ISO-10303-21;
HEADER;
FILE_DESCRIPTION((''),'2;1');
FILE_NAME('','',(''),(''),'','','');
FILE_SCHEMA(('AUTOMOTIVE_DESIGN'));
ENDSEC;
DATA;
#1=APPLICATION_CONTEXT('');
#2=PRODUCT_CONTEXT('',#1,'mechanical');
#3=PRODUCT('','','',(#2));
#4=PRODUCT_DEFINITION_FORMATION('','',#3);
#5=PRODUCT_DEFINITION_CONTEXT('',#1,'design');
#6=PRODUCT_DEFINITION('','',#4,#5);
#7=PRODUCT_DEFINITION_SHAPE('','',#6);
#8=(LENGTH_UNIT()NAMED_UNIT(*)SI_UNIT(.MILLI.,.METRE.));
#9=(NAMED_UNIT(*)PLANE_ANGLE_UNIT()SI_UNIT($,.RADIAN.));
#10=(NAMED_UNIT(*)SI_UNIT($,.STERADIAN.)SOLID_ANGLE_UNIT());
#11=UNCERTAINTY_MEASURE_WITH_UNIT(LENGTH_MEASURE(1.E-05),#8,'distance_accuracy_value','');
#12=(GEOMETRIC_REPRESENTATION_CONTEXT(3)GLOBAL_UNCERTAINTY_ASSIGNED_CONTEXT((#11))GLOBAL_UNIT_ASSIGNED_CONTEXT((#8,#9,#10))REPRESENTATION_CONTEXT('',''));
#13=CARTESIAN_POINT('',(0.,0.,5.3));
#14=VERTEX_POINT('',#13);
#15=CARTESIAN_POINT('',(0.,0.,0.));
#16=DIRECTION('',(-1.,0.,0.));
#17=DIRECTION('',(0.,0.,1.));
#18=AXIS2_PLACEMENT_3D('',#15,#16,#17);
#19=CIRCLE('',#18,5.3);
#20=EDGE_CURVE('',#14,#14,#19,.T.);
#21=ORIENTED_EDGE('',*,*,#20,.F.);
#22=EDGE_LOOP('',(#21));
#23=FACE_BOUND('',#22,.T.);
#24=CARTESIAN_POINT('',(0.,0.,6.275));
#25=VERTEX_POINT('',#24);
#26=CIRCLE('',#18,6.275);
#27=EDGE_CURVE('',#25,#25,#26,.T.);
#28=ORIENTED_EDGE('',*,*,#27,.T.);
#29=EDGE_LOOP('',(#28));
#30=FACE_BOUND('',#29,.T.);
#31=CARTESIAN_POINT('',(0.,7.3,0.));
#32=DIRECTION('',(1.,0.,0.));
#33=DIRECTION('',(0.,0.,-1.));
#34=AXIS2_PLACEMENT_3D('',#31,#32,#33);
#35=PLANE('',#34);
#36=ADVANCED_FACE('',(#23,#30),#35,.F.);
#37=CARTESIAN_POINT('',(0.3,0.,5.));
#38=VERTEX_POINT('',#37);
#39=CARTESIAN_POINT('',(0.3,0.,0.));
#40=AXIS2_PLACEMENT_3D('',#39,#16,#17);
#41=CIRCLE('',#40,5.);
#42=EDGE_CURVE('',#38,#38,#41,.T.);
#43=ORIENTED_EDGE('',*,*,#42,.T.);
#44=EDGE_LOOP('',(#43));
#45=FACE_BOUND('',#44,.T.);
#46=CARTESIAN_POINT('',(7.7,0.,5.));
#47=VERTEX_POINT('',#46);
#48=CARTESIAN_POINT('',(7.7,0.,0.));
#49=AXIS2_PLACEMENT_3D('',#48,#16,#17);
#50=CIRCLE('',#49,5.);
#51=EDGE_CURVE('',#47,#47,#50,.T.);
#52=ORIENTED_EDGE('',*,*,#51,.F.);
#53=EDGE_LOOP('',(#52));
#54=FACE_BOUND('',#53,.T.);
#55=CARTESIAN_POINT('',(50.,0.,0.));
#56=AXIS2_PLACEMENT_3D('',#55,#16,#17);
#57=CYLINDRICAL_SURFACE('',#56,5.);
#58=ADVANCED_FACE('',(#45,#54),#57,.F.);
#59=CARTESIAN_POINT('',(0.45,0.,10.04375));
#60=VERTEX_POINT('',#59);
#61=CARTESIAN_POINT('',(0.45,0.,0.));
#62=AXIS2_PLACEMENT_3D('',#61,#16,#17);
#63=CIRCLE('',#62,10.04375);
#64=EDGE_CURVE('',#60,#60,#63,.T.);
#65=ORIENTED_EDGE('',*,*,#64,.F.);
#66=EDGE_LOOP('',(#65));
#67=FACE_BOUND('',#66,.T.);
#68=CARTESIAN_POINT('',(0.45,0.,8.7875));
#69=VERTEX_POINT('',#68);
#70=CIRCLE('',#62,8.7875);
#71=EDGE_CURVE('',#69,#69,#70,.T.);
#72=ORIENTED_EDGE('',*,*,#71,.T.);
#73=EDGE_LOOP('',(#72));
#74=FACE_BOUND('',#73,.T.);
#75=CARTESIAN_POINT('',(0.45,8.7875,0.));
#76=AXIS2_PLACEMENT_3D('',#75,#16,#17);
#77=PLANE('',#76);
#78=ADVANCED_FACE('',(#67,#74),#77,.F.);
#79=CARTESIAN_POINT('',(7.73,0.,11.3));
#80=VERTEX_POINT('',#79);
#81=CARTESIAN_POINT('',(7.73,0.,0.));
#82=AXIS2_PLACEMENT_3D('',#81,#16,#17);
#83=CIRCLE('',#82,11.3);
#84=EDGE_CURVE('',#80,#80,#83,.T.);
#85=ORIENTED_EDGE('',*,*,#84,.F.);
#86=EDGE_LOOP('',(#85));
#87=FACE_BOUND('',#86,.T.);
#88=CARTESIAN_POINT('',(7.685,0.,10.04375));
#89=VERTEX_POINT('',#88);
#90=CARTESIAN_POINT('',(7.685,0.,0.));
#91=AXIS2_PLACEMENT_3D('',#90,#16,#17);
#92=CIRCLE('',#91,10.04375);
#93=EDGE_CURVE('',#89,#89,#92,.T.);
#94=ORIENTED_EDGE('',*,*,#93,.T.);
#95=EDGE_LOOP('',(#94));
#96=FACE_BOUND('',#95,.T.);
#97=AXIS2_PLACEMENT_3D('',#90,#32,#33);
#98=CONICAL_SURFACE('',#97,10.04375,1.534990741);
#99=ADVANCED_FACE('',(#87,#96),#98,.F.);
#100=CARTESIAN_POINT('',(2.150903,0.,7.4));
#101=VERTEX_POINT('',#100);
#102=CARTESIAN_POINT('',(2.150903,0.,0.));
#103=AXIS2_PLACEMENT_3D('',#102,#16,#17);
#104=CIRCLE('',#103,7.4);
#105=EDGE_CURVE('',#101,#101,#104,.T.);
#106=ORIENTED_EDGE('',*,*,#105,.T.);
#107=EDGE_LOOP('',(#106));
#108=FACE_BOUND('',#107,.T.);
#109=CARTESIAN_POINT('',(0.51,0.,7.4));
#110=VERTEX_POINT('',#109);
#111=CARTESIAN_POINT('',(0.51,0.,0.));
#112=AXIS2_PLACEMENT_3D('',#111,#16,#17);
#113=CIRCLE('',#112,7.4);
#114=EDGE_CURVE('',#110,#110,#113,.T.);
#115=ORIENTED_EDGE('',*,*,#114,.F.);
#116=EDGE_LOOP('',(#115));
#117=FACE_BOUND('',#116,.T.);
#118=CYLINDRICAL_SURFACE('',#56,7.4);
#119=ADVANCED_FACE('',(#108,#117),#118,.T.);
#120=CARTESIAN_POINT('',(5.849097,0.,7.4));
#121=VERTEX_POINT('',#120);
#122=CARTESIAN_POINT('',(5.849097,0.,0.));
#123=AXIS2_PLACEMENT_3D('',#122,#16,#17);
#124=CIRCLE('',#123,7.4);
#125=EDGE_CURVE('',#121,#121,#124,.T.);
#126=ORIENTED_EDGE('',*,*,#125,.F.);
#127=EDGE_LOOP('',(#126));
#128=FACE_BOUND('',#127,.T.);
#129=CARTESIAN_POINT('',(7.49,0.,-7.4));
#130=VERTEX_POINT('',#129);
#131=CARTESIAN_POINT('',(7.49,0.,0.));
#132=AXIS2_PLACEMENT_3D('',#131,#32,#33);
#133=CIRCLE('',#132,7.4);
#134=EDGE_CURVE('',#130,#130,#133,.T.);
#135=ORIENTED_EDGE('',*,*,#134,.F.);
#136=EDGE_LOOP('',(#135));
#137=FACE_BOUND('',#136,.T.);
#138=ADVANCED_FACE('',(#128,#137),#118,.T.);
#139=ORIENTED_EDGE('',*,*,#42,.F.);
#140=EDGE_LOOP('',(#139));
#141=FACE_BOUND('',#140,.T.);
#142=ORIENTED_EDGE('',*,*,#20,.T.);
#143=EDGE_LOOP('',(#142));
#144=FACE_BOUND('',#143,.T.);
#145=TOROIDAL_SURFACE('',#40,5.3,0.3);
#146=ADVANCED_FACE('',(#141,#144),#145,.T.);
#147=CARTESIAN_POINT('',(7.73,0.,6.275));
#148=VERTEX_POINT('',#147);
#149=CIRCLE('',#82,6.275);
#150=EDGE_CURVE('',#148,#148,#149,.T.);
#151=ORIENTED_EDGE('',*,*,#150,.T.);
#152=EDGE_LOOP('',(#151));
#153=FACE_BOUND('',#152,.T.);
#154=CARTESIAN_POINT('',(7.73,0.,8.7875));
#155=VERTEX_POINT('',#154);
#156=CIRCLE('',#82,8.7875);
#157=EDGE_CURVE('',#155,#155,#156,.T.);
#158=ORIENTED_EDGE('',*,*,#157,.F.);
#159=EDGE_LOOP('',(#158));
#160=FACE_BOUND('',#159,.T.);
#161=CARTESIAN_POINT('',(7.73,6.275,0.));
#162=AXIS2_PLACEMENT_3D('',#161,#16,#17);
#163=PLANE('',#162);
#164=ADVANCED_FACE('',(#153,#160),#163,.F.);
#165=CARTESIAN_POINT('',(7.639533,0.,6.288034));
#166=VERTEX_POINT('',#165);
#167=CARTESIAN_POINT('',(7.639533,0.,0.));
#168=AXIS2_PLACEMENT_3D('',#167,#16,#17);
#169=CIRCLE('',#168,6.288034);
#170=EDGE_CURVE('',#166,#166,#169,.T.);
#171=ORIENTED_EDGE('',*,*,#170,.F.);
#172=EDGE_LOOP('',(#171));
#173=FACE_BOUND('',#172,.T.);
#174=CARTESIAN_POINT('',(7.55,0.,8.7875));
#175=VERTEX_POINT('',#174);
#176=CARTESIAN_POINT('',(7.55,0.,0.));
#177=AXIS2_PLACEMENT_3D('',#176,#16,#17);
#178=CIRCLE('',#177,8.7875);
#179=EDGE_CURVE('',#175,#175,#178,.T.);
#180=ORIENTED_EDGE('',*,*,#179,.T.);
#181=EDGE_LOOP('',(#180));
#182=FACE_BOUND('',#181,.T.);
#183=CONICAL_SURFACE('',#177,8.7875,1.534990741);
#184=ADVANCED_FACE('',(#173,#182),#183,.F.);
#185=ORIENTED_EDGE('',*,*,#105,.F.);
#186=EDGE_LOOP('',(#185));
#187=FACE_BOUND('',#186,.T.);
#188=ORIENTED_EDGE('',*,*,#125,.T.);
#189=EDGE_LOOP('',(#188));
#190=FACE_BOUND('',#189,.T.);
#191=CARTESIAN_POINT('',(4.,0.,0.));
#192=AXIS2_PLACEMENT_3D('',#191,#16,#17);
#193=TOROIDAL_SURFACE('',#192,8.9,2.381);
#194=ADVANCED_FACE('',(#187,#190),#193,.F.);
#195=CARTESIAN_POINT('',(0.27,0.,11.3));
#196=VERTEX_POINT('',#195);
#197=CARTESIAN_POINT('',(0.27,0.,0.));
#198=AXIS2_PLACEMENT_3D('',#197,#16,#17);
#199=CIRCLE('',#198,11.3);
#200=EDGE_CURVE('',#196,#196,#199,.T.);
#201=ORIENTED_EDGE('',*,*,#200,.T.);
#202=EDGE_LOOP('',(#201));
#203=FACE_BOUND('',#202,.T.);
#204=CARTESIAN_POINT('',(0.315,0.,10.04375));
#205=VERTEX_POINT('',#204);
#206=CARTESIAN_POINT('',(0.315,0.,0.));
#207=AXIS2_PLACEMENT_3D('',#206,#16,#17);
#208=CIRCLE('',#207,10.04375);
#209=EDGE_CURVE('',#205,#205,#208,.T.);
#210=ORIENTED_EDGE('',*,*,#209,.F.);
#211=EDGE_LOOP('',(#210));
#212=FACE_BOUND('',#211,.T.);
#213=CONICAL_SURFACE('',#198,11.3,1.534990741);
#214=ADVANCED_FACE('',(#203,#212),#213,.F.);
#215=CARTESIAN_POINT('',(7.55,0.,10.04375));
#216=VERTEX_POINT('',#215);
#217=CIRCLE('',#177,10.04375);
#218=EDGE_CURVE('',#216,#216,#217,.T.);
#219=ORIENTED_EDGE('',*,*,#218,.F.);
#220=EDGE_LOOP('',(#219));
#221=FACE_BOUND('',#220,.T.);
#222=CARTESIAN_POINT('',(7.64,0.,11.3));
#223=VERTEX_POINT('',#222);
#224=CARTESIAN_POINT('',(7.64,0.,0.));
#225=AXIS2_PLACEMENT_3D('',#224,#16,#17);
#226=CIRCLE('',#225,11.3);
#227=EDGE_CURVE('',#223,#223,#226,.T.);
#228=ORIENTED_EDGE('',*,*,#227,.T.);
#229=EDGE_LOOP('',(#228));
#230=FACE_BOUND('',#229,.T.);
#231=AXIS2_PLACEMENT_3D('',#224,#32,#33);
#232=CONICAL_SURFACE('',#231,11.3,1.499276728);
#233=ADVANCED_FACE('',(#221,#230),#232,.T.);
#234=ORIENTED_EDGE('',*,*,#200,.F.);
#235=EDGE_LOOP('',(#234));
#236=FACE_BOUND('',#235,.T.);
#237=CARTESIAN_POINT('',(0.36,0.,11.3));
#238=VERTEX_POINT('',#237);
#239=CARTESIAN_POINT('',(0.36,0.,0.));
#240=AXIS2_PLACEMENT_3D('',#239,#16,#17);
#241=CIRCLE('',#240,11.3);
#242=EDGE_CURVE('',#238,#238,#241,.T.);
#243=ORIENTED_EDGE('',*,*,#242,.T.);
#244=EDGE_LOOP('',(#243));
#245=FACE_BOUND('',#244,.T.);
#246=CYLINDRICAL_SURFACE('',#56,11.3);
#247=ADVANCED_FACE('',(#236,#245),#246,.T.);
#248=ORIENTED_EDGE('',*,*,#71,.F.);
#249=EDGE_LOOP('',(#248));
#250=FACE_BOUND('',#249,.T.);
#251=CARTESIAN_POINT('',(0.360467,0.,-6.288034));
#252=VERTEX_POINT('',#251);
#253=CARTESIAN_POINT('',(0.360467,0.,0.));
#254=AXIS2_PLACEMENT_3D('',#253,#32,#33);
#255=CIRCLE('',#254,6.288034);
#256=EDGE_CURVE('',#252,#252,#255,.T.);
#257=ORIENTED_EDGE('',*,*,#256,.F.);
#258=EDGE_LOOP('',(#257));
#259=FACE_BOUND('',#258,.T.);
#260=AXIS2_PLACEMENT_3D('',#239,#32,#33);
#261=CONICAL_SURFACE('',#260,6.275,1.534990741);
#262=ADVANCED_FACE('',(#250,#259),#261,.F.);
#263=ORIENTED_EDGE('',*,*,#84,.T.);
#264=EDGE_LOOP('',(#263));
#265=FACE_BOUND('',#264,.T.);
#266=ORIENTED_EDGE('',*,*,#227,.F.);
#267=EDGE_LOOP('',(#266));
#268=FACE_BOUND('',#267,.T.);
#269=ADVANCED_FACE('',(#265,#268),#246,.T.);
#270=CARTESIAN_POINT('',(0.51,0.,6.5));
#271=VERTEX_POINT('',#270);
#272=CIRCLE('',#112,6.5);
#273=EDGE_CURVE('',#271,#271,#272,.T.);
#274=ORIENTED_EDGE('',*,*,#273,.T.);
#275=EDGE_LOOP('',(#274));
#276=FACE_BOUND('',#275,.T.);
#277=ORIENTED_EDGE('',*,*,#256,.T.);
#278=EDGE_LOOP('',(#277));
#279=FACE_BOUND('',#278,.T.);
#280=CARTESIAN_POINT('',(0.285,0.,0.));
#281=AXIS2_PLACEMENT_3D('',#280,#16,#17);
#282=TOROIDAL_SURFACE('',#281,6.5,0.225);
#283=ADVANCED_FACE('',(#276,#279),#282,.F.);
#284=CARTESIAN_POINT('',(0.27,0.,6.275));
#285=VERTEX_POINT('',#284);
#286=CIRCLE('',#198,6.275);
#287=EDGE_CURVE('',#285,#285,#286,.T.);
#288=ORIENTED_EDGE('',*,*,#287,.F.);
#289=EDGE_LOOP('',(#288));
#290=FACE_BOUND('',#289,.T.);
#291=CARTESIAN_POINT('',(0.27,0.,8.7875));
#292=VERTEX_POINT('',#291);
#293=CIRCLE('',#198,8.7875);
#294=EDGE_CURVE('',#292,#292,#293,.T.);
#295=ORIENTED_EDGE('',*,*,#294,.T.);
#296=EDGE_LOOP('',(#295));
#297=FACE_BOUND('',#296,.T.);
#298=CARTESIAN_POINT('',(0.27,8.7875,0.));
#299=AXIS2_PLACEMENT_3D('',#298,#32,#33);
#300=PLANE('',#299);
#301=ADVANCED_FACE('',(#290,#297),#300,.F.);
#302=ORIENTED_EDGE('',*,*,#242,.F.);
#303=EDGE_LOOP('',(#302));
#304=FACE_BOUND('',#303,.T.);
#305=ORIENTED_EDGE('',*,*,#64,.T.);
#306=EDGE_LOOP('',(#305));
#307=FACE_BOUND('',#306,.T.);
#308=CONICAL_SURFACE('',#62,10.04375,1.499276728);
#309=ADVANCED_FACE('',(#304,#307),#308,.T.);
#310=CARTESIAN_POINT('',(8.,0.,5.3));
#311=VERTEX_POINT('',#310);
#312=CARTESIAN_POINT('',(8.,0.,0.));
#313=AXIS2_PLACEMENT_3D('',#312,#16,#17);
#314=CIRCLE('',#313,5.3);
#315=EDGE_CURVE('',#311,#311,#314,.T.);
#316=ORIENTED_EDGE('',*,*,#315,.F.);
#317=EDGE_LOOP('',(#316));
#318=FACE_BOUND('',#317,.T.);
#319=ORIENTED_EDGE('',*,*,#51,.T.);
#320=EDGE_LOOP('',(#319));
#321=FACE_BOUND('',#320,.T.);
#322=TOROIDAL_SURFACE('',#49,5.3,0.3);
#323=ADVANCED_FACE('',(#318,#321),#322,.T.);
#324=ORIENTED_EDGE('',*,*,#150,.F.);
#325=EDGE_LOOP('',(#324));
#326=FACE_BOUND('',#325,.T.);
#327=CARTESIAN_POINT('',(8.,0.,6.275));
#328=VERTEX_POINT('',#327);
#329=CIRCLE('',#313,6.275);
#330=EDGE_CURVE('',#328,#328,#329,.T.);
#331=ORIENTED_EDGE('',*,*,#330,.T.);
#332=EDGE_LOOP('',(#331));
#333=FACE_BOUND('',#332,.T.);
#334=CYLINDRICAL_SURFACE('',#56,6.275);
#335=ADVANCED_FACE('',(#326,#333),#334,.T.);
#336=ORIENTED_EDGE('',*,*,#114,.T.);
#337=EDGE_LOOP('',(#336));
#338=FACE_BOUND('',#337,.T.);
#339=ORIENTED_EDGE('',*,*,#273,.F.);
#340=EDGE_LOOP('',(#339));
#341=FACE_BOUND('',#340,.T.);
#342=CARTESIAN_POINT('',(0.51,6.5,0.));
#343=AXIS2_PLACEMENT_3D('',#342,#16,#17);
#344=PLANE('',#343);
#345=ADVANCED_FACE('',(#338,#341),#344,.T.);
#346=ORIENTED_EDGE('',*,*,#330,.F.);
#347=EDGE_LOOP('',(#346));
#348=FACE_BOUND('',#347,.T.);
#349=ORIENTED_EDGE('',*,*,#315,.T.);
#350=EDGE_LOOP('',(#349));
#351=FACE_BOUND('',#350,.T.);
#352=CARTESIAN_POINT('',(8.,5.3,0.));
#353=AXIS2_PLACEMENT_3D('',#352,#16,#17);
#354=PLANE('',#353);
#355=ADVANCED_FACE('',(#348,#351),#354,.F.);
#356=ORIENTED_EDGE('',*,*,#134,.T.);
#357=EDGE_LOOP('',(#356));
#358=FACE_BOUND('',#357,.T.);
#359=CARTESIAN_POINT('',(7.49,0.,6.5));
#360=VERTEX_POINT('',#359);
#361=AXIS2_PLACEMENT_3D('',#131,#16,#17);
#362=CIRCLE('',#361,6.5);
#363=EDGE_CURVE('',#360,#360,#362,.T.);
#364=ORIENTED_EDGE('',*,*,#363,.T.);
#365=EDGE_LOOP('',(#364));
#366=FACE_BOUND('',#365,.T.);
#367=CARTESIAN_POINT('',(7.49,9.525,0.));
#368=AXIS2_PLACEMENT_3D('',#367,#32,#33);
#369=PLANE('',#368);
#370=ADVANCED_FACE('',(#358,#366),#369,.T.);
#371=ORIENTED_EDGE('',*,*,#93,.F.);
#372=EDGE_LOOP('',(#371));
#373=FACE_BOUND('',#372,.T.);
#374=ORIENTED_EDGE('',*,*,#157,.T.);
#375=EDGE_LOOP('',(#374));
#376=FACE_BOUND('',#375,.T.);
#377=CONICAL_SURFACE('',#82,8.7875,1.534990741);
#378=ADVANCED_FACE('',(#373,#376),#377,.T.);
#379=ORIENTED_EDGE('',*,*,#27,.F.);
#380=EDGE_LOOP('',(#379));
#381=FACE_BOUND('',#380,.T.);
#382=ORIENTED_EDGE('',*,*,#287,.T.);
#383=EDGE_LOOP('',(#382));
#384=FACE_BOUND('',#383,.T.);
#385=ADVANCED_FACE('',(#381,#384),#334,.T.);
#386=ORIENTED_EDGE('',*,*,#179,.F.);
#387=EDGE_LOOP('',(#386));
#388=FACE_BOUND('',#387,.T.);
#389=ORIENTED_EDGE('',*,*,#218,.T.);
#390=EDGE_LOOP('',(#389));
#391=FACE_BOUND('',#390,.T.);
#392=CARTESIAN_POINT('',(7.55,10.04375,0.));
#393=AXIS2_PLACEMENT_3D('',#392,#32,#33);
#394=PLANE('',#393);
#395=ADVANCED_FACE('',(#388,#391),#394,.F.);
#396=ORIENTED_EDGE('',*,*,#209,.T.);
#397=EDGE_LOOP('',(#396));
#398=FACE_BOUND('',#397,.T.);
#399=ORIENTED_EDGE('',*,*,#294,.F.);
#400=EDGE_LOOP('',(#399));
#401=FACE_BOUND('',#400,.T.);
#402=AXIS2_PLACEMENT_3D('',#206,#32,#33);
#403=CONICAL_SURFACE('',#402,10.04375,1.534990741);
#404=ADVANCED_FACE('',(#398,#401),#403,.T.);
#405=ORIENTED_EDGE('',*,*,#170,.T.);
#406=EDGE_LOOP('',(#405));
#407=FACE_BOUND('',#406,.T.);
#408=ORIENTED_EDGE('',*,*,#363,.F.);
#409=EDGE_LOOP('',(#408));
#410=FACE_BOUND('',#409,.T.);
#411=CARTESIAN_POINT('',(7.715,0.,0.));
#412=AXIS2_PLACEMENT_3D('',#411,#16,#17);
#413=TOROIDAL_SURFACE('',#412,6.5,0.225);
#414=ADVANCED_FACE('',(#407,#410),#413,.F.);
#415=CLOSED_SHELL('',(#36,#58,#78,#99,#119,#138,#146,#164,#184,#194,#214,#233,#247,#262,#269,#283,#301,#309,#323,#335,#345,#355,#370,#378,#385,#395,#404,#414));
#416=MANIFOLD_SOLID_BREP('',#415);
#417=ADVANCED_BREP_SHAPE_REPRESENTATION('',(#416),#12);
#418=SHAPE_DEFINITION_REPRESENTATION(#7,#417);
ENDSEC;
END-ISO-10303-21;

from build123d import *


with BuildPart() as part:
    # Sketch1 → Revolve1 (revolve)
    with BuildSketch(Plane.XY, mode=Mode.PRIVATE) as revolve1_sk:
        with BuildLine():
            Line((0, 7.3), (0, 5.3))
            ThreePointArc((0, 5.3), (0.087867966, 5.087867966), (0.3, 5))
            Line((0.3, 5), (7.7, 5))
            ThreePointArc((7.7, 5), (7.912132034, 5.087867966), (8, 5.3))
            Line((8, 5.3), (8, 7.3))
            ThreePointArc((8, 7.3), (7.970710678, 7.370710678), (7.9, 7.4))
            Line((7.9, 7.4), (5.849097347, 7.4))
            ThreePointArc((5.849097347, 7.4), (4, 6.519), (2.150902653, 7.4))
            Line((2.150902653, 7.4), (0.1, 7.4))
            ThreePointArc((0.1, 7.4), (0.029289322, 7.370710678), (0, 7.3))
        make_face()
    revolve(revolve1_sk.sketch.rotate(Axis((50, 0, 0), (-1, 0, 0)), 270), axis=Axis((50, 0, 0), (-1, 0, 0)))

    # Sketch2 → Cut-Revolve1 (revolve, cut)
    with BuildSketch(Plane.XY, mode=Mode.PRIVATE) as cut_revolve1_sk:
        with BuildLine():
            Line((0, 9.975), (0, 6.275))
            Line((0, 6.275), (0.285, 6.275))
            ThreePointArc((0.285, 6.275), (0.444099026, 6.340900974), (0.51, 6.5))
            Line((0.51, 6.5), (0.51, 9.525))
            Line((0.51, 9.525), (7.49, 9.525))
            Line((7.49, 9.525), (7.49, 6.5))
            ThreePointArc((7.49, 6.5), (7.555900974, 6.340900974), (7.715, 6.275))
            Line((7.715, 6.275), (8, 6.275))
            Line((8, 6.275), (8, 9.975))
            Line((8, 9.975), (0, 9.975))
        make_face()
    revolve(cut_revolve1_sk.sketch.rotate(Axis((50, 0, 0), (-1, 0, 0)), 270), axis=Axis((50, 0, 0), (-1, 0, 0)), mode=Mode.SUBTRACT)

    # Sketch3 → Revolve2 (revolve)
    with BuildSketch(Plane.XY, mode=Mode.PRIVATE) as revolve2_sk:
        Polygon((0.27, 11.3), (0.315, 10.04375), (0.27, 8.7875), (0.27, 6.275), (0.36, 6.275), (0.45, 8.7875), (0.45, 10.04375), (0.36, 11.3), align=None)
    revolve(revolve2_sk.sketch.rotate(Axis((50, 0, 0), (-1, 0, 0)), 270), axis=Axis((50, 0, 0), (-1, 0, 0)))

    # Sketch4 → Revolve3 (revolve)
    with BuildSketch(Plane.XY, mode=Mode.PRIVATE) as revolve3_sk:
        Polygon((7.55, 10.04375), (7.55, 8.7875), (7.64, 6.275), (7.73, 6.275), (7.73, 8.7875), (7.685, 10.04375), (7.73, 11.3), (7.64, 11.3), align=None)
    revolve(revolve3_sk.sketch.rotate(Axis((50, 0, 0), (-1, 0, 0)), 270), axis=Axis((50, 0, 0), (-1, 0, 0)))


solid = part.part
